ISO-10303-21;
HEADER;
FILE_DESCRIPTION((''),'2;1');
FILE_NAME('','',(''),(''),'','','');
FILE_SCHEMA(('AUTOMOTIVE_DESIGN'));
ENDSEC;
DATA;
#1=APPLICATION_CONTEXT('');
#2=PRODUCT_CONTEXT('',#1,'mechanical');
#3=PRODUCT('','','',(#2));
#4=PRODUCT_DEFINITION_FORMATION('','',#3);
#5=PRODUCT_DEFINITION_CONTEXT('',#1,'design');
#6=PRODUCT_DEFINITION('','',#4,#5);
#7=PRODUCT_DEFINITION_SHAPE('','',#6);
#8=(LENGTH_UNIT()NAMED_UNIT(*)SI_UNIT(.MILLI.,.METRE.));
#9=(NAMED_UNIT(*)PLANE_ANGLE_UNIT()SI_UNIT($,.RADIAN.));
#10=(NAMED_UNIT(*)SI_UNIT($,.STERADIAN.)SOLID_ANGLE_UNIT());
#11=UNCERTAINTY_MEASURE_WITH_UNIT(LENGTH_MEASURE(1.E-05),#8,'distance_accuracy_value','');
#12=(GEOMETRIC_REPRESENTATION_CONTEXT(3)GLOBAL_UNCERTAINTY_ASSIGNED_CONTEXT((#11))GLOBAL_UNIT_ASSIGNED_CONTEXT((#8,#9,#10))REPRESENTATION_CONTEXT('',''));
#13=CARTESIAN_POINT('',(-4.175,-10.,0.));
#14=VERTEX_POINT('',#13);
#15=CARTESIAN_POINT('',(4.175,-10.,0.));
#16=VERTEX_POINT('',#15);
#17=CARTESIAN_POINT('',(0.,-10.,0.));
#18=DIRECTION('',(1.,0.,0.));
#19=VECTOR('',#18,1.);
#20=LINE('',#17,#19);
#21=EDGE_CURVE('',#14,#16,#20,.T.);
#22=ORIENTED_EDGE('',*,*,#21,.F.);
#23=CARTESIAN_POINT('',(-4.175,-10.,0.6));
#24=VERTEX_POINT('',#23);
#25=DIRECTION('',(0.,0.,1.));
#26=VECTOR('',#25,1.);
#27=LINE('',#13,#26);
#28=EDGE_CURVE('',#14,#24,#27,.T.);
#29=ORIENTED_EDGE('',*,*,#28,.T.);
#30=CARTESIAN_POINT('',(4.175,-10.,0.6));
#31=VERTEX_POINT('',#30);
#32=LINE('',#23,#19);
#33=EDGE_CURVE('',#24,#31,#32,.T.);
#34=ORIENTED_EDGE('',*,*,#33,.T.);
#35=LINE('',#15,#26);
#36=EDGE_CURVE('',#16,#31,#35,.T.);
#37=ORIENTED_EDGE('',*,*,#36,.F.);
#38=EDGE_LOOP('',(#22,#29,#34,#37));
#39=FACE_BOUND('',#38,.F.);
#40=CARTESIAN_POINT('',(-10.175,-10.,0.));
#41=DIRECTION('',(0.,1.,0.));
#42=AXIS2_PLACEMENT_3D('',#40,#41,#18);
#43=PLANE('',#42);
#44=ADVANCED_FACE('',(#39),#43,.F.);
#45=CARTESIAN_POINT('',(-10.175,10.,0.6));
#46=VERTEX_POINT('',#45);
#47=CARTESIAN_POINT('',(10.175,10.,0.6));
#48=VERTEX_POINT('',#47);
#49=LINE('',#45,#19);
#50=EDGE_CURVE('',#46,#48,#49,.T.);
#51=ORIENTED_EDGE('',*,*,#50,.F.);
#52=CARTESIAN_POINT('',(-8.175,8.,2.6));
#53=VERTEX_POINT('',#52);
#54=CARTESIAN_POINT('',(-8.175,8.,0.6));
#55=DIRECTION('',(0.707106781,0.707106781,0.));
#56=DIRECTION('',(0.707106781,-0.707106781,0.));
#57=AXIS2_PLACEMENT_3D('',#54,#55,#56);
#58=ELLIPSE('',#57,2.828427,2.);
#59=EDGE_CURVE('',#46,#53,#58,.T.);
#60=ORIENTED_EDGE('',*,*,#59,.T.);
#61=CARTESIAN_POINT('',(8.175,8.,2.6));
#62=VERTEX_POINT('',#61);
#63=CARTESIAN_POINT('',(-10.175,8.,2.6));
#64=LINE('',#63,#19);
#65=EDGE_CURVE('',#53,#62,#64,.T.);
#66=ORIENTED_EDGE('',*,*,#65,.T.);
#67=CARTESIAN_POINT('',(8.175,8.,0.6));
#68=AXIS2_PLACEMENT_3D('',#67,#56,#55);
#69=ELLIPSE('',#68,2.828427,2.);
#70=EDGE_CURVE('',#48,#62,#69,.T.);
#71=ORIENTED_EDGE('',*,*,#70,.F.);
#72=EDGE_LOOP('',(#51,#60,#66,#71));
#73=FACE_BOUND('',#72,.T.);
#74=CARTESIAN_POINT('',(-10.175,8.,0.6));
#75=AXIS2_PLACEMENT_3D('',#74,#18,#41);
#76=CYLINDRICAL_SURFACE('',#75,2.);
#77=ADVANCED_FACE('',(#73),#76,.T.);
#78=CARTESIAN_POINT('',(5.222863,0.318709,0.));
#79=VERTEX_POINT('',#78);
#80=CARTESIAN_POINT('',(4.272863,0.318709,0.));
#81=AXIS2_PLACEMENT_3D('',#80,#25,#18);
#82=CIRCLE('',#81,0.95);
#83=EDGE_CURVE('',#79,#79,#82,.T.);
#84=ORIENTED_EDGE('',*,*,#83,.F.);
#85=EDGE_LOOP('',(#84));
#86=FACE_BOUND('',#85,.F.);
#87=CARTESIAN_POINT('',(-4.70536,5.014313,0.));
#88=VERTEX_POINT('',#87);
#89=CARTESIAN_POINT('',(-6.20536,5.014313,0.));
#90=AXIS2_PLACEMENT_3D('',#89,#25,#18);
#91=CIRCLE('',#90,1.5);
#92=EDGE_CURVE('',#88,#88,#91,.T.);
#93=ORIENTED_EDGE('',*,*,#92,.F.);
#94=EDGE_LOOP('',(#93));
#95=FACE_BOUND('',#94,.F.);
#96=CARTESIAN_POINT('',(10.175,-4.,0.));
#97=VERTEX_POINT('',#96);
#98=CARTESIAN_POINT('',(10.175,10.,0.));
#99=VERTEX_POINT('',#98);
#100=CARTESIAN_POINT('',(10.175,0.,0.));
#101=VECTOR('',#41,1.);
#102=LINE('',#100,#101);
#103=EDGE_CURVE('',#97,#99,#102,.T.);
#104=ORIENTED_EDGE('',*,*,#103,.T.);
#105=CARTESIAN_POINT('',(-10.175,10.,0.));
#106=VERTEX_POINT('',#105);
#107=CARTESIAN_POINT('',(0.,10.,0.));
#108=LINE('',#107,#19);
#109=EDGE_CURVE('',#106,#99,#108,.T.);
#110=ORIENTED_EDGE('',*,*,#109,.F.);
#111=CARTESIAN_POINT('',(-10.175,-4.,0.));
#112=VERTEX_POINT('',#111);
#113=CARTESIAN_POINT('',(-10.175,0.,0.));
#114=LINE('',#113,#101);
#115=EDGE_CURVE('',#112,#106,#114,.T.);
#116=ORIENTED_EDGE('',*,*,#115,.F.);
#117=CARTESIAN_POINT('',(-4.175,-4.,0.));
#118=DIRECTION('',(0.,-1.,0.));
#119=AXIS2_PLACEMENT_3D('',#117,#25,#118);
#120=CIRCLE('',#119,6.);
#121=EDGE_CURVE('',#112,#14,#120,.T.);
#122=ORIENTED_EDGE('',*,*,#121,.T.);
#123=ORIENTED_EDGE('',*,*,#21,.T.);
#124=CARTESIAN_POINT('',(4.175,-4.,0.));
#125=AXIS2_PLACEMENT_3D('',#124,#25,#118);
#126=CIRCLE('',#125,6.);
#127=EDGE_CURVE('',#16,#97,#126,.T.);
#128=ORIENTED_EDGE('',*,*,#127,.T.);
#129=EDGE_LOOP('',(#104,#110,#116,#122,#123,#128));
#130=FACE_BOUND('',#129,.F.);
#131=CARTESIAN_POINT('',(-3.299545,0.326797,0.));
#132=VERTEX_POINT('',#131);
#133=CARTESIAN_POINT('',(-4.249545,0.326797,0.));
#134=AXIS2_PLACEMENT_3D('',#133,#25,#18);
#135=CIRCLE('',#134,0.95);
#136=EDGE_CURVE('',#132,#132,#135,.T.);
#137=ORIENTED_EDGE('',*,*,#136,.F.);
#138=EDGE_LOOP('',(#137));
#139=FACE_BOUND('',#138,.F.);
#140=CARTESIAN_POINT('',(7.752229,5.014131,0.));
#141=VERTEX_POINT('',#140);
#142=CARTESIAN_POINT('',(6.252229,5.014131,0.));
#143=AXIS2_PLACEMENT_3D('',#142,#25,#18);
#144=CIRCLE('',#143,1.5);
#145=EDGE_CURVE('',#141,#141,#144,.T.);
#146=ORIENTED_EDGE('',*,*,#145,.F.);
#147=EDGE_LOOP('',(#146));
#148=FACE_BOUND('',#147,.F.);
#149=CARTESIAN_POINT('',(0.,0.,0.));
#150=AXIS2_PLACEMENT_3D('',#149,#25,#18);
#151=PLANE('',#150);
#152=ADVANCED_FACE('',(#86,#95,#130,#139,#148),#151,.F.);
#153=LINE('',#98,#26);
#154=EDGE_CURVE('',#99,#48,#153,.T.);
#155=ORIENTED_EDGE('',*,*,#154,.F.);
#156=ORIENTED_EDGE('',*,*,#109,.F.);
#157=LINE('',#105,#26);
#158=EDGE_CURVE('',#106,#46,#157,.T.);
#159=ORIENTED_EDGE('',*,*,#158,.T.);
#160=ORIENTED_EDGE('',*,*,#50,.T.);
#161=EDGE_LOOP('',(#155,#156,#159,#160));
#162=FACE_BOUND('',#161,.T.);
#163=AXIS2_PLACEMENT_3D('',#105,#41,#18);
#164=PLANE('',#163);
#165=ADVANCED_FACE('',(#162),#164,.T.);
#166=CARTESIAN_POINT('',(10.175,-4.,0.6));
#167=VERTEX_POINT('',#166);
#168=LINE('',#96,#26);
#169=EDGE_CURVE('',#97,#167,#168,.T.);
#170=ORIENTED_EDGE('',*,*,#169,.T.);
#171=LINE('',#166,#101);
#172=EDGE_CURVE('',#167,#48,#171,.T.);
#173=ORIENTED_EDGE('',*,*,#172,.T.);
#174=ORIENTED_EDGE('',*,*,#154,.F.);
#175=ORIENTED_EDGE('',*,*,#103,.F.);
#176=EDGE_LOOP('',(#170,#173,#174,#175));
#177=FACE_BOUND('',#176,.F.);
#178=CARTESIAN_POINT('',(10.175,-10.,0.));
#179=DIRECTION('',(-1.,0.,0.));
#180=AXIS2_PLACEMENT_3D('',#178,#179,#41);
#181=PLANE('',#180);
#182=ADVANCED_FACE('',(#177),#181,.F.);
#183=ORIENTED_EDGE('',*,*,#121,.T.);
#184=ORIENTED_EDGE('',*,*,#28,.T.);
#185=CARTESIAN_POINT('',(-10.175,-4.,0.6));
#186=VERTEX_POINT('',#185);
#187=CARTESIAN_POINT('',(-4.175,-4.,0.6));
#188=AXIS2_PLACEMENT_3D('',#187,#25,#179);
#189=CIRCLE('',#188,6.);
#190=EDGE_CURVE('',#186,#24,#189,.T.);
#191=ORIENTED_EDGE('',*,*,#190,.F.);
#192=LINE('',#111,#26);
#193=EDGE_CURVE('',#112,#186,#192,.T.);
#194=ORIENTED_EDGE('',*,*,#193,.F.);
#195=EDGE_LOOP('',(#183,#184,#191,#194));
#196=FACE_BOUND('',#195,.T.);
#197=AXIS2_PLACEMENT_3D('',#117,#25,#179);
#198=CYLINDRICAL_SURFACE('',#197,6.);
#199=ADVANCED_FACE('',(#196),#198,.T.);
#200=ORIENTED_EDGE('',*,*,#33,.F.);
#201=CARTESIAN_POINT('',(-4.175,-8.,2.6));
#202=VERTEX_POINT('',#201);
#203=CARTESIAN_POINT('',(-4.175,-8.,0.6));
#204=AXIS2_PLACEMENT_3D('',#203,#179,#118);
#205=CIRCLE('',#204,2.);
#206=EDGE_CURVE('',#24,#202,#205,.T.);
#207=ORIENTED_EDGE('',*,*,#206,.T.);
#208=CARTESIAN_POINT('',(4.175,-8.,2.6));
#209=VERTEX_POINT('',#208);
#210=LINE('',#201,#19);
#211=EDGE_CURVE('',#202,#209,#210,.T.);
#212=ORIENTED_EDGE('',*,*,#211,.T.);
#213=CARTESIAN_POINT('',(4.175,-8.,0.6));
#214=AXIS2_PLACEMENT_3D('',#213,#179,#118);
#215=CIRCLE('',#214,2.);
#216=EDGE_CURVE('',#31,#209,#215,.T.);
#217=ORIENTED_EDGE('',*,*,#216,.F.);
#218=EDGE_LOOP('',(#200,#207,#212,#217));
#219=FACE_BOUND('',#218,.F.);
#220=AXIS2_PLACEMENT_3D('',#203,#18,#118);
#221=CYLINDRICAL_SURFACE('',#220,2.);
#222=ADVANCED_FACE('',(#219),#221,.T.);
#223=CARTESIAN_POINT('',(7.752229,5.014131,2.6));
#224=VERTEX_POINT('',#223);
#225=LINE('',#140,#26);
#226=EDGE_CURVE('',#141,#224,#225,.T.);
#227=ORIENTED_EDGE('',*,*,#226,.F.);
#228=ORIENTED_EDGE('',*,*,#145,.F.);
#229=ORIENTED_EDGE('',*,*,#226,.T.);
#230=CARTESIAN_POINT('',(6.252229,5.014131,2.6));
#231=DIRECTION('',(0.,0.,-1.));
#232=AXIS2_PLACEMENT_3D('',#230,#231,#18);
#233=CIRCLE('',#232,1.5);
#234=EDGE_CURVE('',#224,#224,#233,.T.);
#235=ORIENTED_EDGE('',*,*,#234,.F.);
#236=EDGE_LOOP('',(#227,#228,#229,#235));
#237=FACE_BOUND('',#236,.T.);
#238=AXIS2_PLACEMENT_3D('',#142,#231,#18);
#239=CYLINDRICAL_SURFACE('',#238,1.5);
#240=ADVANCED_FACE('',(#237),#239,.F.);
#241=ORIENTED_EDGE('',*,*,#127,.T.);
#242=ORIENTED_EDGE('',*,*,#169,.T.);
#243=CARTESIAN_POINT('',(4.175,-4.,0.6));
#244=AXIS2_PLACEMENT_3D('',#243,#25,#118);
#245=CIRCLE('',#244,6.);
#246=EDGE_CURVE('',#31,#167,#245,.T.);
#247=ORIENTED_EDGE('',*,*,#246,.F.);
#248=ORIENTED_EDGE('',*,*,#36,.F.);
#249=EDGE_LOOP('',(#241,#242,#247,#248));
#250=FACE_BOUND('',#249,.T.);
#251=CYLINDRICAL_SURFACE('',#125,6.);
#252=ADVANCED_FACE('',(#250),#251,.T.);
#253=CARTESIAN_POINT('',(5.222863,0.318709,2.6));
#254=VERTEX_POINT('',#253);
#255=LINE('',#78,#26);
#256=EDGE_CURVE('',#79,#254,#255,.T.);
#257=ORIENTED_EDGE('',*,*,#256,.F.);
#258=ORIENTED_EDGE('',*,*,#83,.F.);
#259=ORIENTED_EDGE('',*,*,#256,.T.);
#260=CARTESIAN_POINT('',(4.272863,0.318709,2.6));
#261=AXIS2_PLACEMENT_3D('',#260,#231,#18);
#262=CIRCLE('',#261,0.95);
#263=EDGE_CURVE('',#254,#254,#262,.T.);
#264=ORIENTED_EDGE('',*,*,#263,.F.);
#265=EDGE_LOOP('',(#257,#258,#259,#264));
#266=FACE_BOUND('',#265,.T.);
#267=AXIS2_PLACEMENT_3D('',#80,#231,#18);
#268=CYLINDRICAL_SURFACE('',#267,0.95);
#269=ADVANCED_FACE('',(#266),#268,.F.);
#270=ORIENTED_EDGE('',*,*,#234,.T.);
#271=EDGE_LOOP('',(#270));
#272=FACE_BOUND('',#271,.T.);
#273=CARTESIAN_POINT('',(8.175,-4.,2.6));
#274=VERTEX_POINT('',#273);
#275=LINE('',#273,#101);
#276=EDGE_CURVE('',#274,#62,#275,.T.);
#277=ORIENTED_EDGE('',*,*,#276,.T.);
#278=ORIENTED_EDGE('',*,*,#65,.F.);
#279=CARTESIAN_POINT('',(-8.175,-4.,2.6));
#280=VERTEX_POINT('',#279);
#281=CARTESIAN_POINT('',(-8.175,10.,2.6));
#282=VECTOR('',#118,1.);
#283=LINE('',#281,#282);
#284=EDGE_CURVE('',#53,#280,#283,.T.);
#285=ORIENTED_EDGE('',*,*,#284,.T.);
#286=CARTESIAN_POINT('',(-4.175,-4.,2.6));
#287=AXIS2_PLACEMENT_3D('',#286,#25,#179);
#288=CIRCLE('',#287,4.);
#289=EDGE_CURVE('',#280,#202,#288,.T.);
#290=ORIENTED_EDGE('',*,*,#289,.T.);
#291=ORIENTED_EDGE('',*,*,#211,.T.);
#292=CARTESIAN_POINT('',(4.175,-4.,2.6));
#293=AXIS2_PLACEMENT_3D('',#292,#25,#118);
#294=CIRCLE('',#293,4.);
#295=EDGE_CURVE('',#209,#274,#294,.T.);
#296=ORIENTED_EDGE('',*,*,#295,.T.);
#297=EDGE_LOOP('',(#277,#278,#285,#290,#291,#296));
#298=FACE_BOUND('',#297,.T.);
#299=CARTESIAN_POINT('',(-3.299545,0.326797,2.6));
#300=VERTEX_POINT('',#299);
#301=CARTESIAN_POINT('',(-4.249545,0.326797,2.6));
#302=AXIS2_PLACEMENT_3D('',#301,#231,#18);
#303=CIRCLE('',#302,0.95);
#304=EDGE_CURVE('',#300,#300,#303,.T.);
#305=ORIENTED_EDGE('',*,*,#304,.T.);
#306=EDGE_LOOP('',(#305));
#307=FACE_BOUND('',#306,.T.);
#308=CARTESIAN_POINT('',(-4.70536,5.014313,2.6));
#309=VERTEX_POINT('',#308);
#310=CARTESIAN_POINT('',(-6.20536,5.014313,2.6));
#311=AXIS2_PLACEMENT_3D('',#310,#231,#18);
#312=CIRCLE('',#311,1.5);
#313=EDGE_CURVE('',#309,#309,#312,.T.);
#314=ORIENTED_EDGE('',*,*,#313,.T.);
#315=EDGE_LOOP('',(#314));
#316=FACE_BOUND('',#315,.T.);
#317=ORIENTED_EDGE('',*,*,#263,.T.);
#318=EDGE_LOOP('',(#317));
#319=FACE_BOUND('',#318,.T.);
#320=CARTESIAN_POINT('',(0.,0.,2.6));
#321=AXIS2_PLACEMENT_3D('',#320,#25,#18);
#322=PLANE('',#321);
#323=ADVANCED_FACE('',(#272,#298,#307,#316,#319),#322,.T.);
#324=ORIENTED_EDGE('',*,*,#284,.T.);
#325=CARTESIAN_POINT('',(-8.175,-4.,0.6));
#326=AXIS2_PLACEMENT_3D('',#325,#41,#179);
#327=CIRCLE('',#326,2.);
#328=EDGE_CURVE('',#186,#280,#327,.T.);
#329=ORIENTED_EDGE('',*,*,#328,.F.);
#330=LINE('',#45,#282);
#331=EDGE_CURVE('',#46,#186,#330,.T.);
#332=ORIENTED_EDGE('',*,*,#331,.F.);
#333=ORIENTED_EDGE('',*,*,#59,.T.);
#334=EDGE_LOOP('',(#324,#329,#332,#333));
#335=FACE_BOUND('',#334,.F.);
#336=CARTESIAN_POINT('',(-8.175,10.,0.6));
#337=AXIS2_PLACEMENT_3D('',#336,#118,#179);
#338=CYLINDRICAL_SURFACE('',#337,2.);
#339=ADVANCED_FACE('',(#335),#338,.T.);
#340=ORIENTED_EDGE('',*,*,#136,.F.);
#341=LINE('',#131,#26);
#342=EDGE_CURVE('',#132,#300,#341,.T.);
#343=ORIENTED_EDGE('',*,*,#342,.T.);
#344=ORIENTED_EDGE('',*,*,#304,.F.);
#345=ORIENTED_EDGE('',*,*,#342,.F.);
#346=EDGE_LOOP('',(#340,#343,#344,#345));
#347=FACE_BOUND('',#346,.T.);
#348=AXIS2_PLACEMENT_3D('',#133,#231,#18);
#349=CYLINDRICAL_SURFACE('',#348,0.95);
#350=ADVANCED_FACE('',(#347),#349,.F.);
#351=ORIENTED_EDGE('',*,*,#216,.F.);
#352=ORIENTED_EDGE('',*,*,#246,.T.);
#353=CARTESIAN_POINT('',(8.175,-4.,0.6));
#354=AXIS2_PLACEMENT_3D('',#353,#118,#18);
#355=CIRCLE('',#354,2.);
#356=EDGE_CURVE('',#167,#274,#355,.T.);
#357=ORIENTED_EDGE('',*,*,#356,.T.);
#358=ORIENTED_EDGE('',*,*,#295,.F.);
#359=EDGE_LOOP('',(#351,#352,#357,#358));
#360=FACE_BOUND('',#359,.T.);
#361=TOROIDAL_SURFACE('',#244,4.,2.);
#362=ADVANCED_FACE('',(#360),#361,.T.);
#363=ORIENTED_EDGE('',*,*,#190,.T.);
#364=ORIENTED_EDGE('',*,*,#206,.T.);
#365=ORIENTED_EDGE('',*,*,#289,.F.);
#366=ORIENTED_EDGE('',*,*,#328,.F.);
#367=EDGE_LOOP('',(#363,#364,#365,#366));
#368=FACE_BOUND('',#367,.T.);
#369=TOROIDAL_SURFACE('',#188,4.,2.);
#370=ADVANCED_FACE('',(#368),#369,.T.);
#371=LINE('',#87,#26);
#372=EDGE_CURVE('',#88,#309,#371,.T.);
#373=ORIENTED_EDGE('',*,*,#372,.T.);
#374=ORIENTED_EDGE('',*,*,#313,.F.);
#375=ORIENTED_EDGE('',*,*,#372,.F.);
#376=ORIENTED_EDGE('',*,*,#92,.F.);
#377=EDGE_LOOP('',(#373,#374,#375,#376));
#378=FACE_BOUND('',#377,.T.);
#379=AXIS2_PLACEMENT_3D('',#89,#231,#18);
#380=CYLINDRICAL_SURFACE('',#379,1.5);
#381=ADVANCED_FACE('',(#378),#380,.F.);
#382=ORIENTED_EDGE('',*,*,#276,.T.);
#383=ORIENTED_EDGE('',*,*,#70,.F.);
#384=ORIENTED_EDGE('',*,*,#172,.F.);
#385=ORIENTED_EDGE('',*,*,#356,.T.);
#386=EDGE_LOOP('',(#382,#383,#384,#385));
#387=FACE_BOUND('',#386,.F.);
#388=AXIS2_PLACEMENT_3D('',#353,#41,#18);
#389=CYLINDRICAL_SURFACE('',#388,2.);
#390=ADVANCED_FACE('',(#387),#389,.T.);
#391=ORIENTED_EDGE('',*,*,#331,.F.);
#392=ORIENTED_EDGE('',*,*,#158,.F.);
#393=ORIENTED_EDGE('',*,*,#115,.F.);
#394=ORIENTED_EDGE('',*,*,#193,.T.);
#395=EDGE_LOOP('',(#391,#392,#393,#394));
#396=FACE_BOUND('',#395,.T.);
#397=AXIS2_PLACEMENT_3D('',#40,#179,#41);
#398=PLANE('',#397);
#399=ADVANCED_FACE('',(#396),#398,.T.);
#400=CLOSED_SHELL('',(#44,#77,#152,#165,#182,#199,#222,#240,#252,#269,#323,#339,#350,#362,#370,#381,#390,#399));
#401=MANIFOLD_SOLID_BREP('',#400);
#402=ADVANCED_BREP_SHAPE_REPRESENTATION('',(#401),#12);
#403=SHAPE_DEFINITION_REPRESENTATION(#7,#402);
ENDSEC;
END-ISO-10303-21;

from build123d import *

# Parameters (mm, degrees)
F0_W     = 20.35
F0_H     = 20
F1_DEPTH = 2.6
F2_R     = 1.5
F3_DEPTH = 25
F4_R     = 0.95
F5_DEPTH = 25
F6_R     = 6
F7_R     = 2


with BuildPart() as f1:
    # F0 (on Top) → F1 (new body)
    with BuildSketch(Plane.XY):
        Rectangle(F0_W, F0_H)
    extrude(amount=F1_DEPTH)

    # F2 (on Top) → F3 (cut)
    with BuildSketch(Plane.XY):
        with Locations((-6.2053604051, 5.0143129192)):
            Circle(F2_R)
        with Locations((6.2522287481, 5.0141313113)):
            Circle(F2_R)
    extrude(amount=F3_DEPTH, mode=Mode.SUBTRACT)

    # F4 (on Top) → F5 (cut)
    with BuildSketch(Plane.XY):
        with Locations((-4.2495448142, 0.3267968714)):
            Circle(F4_R)
        with Locations((4.2728632689, 0.318708655)):
            Circle(F4_R)
    extrude(amount=F5_DEPTH, mode=Mode.SUBTRACT)

    # F6
    f6_edges = [f1.edges().sort_by_distance(p)[0] for p in [
        (10.175, -10, 1.3),
        (-10.175, -10, 1.3),
    ]]
    fillet(f6_edges, radius=F6_R)

    # F7
    f7_edges = [f1.edges().sort_by_distance(p)[0] for p in [
        (-8.417641, -8.242641, 2.6),
        (8.417641, -8.242641, 2.6),
        (10.175, 3, 2.6),
        (0, 10, 2.6),
        (-10.175, 3, 2.6),
        (0, -10, 2.6),
    ]]
    fillet(f7_edges, radius=F7_R)


solid = f1.part
